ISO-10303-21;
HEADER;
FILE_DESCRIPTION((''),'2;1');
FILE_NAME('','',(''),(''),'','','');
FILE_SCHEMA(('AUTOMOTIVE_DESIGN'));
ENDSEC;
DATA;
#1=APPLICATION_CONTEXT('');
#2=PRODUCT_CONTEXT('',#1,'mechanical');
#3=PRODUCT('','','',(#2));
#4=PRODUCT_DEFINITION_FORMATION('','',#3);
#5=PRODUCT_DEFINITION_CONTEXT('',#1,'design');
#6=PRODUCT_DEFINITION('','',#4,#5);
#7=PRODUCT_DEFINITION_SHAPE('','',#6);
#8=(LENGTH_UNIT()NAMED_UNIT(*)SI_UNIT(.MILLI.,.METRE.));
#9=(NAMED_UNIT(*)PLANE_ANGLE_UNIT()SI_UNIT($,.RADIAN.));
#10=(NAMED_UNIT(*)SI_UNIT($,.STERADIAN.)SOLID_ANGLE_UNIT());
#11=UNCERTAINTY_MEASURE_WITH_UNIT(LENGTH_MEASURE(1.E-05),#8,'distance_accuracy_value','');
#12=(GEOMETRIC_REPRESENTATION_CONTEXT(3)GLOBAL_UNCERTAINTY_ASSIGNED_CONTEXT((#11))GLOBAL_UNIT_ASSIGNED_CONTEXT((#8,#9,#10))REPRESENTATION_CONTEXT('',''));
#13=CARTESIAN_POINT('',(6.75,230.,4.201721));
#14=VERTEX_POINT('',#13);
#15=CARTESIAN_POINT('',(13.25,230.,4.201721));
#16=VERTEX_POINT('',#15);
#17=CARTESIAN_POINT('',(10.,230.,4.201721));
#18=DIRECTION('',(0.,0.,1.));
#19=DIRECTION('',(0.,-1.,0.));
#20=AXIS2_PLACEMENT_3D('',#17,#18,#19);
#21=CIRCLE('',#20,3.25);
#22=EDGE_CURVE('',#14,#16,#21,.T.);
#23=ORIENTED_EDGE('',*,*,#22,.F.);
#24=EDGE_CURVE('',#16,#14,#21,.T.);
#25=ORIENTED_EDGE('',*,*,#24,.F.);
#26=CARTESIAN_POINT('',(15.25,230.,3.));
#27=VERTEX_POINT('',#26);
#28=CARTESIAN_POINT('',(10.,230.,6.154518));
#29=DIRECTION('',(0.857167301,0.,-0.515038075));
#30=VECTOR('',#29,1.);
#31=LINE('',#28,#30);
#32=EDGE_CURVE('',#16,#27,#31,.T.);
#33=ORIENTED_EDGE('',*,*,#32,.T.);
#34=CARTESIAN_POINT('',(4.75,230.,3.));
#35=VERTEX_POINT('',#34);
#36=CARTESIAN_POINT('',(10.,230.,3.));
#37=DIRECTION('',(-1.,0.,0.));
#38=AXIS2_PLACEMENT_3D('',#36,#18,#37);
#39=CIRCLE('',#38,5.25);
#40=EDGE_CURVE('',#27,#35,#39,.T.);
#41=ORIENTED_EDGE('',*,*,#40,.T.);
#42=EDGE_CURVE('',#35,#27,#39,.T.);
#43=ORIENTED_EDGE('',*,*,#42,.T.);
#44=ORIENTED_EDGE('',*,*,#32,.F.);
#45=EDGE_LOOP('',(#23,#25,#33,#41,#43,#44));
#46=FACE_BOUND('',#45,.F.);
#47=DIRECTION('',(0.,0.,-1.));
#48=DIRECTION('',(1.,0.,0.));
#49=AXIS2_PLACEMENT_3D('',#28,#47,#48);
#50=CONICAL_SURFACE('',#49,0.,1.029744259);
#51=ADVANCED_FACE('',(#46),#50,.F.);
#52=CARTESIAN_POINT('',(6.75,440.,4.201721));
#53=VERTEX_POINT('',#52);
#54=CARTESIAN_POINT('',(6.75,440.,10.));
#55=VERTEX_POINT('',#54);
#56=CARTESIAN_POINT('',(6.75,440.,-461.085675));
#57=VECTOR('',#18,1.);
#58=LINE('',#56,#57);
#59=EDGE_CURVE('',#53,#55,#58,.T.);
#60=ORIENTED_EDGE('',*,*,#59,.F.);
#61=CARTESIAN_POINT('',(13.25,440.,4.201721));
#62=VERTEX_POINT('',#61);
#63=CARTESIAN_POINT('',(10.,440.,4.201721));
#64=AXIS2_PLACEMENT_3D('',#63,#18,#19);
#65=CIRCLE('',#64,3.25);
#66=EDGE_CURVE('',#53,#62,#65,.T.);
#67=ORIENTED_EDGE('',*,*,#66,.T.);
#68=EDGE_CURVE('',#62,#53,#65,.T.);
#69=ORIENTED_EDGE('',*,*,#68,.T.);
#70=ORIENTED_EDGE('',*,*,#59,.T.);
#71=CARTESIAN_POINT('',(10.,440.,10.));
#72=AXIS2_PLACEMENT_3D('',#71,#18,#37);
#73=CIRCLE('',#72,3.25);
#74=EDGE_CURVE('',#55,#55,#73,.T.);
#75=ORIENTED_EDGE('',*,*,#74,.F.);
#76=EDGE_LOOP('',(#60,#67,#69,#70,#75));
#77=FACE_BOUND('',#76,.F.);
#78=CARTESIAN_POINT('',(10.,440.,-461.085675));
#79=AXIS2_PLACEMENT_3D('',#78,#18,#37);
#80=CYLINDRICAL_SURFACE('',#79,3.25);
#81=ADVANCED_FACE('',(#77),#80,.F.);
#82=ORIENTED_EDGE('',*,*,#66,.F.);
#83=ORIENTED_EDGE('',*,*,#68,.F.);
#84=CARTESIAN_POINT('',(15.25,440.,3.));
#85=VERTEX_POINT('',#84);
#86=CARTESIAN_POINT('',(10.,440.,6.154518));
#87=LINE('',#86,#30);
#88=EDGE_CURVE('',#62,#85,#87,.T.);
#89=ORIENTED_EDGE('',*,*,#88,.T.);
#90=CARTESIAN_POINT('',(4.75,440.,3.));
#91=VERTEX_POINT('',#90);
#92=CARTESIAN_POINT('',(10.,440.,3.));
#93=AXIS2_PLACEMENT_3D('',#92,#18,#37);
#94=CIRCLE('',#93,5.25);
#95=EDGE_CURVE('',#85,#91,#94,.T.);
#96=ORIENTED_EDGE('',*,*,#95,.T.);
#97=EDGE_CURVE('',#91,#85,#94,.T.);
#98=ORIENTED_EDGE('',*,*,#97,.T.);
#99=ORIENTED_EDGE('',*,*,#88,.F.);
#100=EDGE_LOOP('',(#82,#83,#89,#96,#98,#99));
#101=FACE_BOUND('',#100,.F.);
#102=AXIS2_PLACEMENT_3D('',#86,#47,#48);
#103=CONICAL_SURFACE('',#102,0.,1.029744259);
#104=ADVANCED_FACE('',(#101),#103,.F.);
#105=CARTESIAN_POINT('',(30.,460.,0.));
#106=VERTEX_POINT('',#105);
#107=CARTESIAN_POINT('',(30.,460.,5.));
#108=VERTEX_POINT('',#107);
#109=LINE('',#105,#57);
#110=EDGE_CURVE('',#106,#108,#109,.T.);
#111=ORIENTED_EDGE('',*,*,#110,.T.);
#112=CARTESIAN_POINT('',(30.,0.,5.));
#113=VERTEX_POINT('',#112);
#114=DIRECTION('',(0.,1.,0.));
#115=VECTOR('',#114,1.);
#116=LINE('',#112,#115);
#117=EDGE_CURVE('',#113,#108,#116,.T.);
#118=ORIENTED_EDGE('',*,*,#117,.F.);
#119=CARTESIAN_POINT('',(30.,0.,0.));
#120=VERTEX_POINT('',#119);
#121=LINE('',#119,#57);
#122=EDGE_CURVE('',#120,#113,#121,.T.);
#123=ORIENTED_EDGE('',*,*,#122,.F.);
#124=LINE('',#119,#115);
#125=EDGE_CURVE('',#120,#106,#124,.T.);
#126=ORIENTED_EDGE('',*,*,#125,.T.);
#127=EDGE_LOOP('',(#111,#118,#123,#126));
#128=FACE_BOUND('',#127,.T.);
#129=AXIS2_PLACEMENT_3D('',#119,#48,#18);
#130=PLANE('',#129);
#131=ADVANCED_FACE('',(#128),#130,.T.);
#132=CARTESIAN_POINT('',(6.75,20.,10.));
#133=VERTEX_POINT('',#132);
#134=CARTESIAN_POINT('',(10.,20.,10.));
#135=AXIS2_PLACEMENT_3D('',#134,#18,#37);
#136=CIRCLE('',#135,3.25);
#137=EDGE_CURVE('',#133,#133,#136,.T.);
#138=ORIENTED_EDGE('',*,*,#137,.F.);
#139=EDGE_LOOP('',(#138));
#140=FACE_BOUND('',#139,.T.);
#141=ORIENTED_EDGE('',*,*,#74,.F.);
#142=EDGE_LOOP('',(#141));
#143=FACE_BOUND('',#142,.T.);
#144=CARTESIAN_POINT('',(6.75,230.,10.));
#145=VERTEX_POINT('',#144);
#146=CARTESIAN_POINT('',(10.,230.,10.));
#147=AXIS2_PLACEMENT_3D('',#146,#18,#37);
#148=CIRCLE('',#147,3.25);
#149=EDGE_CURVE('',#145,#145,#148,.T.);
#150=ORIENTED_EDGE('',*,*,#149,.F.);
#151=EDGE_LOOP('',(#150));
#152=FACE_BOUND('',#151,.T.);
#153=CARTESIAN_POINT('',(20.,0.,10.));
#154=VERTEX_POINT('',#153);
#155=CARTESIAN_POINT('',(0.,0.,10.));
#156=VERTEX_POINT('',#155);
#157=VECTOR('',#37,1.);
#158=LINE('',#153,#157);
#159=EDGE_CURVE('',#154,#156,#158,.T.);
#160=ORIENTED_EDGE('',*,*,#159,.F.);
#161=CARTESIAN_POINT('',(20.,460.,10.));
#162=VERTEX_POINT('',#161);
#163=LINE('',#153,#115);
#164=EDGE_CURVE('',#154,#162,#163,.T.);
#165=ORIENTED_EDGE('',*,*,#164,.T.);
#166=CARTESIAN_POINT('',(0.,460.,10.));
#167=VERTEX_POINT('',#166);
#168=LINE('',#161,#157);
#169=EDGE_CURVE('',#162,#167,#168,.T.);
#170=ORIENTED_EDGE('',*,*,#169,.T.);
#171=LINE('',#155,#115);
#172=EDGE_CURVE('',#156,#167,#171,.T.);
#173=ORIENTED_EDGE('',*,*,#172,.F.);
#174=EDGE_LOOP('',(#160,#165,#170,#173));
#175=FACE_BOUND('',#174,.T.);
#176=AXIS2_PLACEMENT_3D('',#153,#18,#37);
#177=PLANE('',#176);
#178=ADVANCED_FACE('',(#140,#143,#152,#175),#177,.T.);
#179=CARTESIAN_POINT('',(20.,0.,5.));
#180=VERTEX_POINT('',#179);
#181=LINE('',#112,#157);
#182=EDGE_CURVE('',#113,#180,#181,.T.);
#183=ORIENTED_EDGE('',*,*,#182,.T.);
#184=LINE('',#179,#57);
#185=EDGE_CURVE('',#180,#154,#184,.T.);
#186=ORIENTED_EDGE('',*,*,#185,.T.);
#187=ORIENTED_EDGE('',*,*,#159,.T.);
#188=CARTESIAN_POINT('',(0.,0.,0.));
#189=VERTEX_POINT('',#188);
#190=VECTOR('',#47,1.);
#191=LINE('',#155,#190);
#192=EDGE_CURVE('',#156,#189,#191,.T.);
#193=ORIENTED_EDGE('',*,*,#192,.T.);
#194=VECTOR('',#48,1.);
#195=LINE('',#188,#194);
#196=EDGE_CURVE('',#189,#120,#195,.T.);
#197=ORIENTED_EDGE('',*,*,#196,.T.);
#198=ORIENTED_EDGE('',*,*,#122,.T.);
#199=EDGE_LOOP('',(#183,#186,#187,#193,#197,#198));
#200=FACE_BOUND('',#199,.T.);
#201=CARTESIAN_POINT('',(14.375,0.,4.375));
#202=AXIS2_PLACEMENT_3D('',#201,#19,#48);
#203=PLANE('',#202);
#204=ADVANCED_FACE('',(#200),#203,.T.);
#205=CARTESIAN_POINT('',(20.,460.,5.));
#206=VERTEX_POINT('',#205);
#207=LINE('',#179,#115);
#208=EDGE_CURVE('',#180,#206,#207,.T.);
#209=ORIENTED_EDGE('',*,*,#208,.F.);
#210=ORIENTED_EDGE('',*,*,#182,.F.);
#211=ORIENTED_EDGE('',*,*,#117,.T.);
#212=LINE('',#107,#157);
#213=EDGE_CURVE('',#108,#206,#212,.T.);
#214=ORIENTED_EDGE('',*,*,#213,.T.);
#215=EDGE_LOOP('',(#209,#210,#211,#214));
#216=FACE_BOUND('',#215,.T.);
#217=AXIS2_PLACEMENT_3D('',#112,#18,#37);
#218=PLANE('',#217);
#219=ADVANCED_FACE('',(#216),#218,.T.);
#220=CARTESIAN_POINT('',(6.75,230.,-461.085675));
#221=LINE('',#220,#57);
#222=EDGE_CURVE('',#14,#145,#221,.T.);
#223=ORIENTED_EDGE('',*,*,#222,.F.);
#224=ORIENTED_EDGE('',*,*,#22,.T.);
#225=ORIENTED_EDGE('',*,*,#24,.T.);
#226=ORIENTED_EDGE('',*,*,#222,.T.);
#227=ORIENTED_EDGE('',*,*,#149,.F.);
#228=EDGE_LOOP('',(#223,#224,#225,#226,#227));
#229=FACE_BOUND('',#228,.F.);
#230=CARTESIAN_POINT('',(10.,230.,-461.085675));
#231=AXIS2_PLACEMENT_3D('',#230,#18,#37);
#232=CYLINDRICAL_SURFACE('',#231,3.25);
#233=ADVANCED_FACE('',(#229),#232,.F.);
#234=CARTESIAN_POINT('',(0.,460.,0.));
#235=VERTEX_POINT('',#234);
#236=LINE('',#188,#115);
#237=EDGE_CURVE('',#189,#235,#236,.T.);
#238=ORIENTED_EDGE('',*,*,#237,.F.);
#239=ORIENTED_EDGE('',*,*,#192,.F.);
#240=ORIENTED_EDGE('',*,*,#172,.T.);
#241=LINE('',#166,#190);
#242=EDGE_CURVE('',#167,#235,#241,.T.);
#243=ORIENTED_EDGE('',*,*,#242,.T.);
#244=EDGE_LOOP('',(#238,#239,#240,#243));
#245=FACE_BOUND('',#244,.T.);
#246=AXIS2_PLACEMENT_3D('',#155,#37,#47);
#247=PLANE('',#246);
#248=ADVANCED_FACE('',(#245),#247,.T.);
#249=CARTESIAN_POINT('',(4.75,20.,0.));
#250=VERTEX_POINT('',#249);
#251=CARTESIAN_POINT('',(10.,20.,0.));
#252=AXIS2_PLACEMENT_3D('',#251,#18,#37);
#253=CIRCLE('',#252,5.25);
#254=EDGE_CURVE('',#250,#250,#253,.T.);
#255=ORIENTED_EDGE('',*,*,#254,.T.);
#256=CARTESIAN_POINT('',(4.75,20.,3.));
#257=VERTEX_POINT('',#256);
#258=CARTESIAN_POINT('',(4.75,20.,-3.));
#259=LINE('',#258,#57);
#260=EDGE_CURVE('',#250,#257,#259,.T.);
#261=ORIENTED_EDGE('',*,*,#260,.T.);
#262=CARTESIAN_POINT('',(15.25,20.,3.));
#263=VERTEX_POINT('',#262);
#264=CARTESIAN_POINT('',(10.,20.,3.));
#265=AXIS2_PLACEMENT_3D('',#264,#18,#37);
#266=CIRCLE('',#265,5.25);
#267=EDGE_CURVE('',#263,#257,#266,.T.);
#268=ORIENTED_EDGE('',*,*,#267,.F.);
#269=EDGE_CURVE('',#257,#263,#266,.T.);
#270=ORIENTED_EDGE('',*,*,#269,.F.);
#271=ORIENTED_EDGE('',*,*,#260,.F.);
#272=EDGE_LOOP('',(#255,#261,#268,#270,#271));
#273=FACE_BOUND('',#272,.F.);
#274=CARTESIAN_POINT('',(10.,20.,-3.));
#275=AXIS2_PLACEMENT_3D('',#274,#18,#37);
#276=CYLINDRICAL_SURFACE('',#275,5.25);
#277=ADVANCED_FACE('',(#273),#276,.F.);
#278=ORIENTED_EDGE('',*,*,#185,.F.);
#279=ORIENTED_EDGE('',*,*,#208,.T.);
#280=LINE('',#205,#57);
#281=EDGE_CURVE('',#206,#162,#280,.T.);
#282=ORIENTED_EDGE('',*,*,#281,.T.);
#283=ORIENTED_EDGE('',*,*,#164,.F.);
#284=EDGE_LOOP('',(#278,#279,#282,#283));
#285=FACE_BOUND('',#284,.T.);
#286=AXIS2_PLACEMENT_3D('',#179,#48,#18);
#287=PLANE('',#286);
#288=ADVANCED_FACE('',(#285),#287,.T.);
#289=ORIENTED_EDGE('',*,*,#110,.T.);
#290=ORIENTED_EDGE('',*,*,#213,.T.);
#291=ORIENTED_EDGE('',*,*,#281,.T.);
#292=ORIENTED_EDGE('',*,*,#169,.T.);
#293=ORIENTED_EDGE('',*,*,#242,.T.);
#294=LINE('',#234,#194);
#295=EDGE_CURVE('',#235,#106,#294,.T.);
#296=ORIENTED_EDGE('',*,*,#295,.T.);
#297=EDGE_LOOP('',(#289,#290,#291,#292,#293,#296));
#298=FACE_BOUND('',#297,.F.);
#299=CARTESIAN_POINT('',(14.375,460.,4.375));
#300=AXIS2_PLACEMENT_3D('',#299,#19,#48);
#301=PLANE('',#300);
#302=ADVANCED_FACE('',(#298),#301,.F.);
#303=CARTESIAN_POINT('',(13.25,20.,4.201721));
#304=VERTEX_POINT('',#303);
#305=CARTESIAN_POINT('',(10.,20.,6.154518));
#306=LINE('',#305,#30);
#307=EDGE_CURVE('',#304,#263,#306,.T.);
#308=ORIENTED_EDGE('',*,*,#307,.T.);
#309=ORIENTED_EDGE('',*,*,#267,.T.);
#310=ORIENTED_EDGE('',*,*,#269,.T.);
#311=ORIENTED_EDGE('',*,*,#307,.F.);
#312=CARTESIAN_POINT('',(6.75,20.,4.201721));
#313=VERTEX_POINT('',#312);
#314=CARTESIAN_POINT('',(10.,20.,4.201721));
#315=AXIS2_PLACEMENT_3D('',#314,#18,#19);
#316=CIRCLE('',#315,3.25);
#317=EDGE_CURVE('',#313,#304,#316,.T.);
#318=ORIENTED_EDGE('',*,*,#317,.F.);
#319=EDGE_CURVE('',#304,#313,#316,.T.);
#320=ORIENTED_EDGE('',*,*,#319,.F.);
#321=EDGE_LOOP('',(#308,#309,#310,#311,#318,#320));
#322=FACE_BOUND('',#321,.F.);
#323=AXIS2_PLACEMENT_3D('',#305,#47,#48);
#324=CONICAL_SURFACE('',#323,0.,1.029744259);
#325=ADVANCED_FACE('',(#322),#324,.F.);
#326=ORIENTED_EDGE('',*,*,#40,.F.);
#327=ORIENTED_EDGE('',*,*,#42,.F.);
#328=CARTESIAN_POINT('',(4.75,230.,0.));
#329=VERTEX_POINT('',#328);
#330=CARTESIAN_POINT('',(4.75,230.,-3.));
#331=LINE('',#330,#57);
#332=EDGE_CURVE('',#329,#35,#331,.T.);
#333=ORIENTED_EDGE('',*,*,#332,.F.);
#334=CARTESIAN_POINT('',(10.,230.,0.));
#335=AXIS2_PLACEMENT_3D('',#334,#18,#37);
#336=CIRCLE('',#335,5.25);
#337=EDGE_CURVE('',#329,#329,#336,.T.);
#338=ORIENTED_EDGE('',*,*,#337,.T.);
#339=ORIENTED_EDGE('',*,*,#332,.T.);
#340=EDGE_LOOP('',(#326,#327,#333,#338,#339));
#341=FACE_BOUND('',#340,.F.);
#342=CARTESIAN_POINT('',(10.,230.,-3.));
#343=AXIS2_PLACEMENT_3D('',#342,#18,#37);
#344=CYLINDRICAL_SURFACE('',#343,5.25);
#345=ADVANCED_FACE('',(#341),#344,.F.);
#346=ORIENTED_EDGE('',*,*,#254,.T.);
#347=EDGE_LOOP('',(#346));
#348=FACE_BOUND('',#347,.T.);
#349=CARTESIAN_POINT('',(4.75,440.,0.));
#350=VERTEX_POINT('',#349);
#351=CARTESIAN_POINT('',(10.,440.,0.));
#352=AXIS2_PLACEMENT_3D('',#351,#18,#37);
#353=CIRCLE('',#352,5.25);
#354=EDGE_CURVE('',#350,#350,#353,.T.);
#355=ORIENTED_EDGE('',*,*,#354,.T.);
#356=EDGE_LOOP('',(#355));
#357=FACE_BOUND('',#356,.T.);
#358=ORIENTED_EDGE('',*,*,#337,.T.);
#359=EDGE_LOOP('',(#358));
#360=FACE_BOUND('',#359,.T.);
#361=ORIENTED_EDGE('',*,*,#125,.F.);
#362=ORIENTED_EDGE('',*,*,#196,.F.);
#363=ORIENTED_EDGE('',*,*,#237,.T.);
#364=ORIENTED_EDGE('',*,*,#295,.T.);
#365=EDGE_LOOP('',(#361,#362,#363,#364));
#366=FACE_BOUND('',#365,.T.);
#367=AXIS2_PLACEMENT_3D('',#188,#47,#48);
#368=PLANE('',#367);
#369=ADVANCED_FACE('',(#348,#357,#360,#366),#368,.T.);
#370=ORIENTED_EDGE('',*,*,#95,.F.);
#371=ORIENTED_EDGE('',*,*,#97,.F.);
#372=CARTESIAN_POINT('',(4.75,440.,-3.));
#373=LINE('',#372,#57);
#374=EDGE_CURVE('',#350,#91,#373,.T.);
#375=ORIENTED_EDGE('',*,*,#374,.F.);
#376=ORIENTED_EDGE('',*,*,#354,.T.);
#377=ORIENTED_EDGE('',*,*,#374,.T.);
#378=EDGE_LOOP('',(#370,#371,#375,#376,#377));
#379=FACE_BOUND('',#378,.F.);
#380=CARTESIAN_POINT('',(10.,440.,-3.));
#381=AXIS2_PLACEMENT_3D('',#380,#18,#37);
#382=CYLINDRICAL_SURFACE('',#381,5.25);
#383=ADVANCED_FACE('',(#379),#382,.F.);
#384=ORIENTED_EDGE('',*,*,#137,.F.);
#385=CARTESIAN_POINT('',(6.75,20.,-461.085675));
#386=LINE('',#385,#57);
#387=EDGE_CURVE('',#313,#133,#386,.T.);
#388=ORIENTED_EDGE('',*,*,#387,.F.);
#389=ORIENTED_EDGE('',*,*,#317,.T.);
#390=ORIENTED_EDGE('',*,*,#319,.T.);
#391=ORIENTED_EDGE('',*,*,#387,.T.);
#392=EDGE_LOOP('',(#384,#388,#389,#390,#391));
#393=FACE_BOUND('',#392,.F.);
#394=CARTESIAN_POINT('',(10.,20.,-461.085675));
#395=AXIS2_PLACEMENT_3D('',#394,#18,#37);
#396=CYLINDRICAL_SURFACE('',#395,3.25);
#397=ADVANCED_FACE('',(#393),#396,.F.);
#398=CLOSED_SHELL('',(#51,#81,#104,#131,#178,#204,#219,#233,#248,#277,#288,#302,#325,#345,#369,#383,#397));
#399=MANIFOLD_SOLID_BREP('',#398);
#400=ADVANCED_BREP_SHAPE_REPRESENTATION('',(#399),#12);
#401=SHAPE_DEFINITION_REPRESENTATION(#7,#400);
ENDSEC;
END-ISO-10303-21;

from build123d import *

# Parameters (mm, degrees)
F1_DEPTH  = 460
F3_D      = 6.5
F5_D      = 6.5
F7_D      = 6.5
F9_D      = 10.5
F9_DEPTH  = 3
F9_TIP    = 3.1545182499
F11_D     = 10.5
F11_DEPTH = 3
F11_TIP   = 3.1545182499
F13_D     = 10.5
F13_DEPTH = 3
F13_TIP   = 3.1545182499


with BuildPart() as f1:
    # F0 (on Front) → F1 (new body)
    with BuildSketch(Plane.XZ):
        Polygon((0, 10), (0, 0), (30, 0), (30, 5), (20, 5), (20, 10), align=None)
    extrude(amount=-F1_DEPTH)

    # F3 (through all)
    with Locations(Plane(origin=(0, 0, 0), x_dir=(1, 0, 0), z_dir=(0, 0, -1))):
        with Locations((10, -440)):
            Hole(F3_D / 2)

    # F5 (through all)
    with Locations(Plane(origin=(0, 0, 0), x_dir=(1, 0, 0), z_dir=(0, 0, -1))):
        with Locations((10, -230)):
            Hole(F5_D / 2)

    # F7 (through all)
    with Locations(Plane(origin=(0, 0, 0), x_dir=(1, 0, 0), z_dir=(0, 0, -1))):
        with Locations((10, -20)):
            Hole(F7_D / 2)

    # F9
    with Locations(Plane(origin=(0, 0, 0), x_dir=(1, 0, 0), z_dir=(0, 0, -1))):
        with Locations((10, -440)):
            Hole(F9_D / 2, depth=F9_DEPTH)
            with Locations((0, 0, -(F9_DEPTH + F9_TIP / 2))):  # 118° drill point
                Cone(0, F9_D / 2, F9_TIP, mode=Mode.SUBTRACT)

    # F11
    with Locations(Plane(origin=(0, 0, 0), x_dir=(1, 0, 0), z_dir=(0, 0, -1))):
        with Locations((10, -230)):
            Hole(F11_D / 2, depth=F11_DEPTH)
            with Locations((0, 0, -(F11_DEPTH + F11_TIP / 2))):  # 118° drill point
                Cone(0, F11_D / 2, F11_TIP, mode=Mode.SUBTRACT)

    # F13
    with Locations(Plane(origin=(0, 0, 0), x_dir=(1, 0, 0), z_dir=(0, 0, -1))):
        with Locations((10, -20)):
            Hole(F13_D / 2, depth=F13_DEPTH)
            with Locations((0, 0, -(F13_DEPTH + F13_TIP / 2))):  # 118° drill point
                Cone(0, F13_D / 2, F13_TIP, mode=Mode.SUBTRACT)


solid = f1.part
